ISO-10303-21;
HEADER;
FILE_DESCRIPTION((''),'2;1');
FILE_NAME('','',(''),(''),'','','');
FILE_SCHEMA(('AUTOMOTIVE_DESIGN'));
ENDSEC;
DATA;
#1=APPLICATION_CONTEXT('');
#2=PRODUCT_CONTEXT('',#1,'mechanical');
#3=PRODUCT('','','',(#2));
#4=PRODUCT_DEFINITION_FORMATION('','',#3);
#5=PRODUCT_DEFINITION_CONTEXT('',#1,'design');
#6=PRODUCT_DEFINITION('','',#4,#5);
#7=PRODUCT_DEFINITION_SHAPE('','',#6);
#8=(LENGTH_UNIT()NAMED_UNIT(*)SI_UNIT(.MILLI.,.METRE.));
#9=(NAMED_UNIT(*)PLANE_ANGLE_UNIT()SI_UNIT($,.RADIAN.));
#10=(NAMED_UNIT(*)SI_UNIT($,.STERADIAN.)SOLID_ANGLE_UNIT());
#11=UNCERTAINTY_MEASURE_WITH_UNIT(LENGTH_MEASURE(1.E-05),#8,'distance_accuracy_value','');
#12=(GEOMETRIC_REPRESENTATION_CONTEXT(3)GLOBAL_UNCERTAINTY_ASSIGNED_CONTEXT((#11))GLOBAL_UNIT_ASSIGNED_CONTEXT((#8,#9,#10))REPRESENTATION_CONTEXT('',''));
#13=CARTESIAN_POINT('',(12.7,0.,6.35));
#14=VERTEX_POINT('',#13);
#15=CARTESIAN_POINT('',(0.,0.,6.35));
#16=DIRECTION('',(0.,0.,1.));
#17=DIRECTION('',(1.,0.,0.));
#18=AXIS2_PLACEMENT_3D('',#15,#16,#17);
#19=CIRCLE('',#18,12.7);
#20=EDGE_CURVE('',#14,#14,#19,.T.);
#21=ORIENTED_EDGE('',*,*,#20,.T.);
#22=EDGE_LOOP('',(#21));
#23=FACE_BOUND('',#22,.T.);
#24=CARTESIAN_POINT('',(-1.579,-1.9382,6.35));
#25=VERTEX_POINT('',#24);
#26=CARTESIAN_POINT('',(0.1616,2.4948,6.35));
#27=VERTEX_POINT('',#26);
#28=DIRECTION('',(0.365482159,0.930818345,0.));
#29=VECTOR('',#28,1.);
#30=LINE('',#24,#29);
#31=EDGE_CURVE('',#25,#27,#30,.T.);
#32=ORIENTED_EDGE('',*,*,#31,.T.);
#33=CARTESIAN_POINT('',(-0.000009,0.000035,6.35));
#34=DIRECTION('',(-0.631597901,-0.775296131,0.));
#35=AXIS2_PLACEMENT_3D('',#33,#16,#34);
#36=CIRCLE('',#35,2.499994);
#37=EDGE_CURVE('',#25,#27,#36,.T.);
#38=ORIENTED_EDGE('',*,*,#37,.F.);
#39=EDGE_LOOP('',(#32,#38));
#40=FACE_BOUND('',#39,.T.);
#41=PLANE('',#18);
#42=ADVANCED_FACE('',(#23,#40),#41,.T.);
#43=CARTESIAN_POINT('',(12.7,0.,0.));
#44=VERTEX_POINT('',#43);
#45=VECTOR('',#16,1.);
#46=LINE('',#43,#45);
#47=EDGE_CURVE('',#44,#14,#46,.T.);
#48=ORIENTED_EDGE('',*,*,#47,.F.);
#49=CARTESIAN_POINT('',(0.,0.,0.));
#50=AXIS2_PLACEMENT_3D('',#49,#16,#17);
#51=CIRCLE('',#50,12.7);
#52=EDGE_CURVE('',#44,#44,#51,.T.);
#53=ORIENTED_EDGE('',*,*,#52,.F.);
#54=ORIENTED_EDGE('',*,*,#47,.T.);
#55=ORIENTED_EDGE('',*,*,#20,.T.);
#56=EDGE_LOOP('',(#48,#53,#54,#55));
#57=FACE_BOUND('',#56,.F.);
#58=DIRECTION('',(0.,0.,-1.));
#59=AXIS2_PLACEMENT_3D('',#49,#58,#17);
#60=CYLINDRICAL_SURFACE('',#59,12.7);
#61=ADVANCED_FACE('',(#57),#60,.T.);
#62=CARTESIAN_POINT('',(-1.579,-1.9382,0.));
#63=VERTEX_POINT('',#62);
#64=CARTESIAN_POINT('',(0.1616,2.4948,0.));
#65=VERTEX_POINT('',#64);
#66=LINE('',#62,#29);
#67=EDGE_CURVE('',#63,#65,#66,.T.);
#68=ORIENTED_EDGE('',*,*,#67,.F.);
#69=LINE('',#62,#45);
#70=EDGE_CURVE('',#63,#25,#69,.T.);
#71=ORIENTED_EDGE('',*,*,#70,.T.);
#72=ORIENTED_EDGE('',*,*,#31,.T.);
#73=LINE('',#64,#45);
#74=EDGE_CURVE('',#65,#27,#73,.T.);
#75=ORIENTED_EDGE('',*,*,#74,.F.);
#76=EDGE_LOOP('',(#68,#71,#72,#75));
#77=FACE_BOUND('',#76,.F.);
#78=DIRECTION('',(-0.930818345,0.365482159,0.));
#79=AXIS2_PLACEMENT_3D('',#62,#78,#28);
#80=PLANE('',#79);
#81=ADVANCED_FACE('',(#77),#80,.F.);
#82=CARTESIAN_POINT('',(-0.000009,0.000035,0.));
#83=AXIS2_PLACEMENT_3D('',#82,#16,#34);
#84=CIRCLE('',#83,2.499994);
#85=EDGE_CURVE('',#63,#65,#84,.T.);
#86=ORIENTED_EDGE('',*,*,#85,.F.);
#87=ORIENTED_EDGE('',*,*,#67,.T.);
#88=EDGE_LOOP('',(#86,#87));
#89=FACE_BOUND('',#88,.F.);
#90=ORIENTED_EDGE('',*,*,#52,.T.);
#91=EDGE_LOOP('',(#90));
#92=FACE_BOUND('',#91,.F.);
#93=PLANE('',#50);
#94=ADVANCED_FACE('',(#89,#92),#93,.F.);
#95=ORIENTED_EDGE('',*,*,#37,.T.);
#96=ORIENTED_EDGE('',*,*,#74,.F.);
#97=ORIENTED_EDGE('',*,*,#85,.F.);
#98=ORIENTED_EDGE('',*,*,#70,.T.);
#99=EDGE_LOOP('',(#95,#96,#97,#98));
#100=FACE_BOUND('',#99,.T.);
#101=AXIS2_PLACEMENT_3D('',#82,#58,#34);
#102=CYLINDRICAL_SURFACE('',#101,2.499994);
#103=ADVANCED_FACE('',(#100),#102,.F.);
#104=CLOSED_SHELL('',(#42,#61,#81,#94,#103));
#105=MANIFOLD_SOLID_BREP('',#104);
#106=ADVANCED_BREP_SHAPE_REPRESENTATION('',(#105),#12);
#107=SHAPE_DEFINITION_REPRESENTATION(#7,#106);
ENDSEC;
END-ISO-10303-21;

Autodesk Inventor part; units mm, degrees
ref_plane "YZ Plane" through (0, 0, 0) normal (1, 0, 0) x (0, 1, 0)
ref_plane "XZ Plane" through (0, 0, 0) normal (0, 1, 0) x (-1, 0, 0)
ref_plane "XY Plane" through (0, 0, 0) normal (0, 0, 1) x (1, 0, 0)
sketch "Sketch1" plane through (0, 0, 0) normal (0, 0, 1) x (1, 0, 0)
  line L0 (-1.579, -1.9382) -> (0.1616, 2.4948) projected
  arc A0 (-1.579, -1.9382) -> (0.1616, 2.4948) centre (0, 0) ccw projected
  arc A1 (8.0152, 21.2958) -> (7.9877, 26.3318) centre (-11.0232, 23.7099) ccw projected
  arc A2 (7.9877, 26.3318) -> (6.2484, 26.7978) centre (0, 0) ccw projected
  arc A3 (6.2484, 26.7978) -> (3.7066, 22.4502) centre (21.4014, 15.0218) ccw projected
  arc A4 (3.7066, 22.4502) -> (2.2303, 22.6446) centre (0, 0) ccw projected
  arc A5 (2.2303, 22.6446) -> (0.9003, 27.5019) centre (-16.7842, 20.049) ccw projected
  arc A6 (0.9003, 27.5019) -> (-0.9003, 27.5019) centre (0, 0) ccw projected
  arc A7 (-0.9003, 27.5019) -> (-2.2303, 22.6446) centre (16.7842, 20.049) ccw projected
  arc A8 (-2.2303, 22.6446) -> (-3.7066, 22.4502) centre (0, 0) ccw projected
  arc A9 (-3.7066, 22.4502) -> (-6.2484, 26.7978) centre (-21.4014, 15.0218) ccw projected
  arc A10 (-6.2484, 26.7978) -> (-7.9877, 26.3318) centre (0, 0) ccw projected
  arc A11 (-7.9877, 26.3318) -> (-8.0152, 21.2958) centre (11.0232, 23.7099) ccw projected
  arc A12 (-8.0152, 21.2958) -> (-9.3908, 20.7259) centre (0, 0) ccw projected
  arc A13 (-9.3908, 20.7259) -> (-12.9713, 24.2675) centre (-24.5601, 8.9709) ccw projected
  arc A14 (-12.9713, 24.2675) -> (-14.5307, 23.3672) centre (0, 0) ccw projected
  arc A15 (-14.5307, 23.3672) -> (-13.2538, 18.4956) centre (4.511, 25.7551) ccw projected
  arc A16 (-13.2538, 18.4956) -> (-14.4351, 17.5892) centre (0, 0) ccw projected
  arc A17 (-14.4351, 17.5892) -> (-18.8102, 20.0834) centre (-26.045, 2.3086) ccw projected
  arc A18 (-18.8102, 20.0834) -> (-20.0834, 18.8102) centre (0, 0) ccw projected
  arc A19 (-20.0834, 18.8102) -> (-17.5892, 14.4351) centre (-2.3086, 26.045) ccw projected
  arc A20 (-17.5892, 14.4351) -> (-18.4956, 13.2538) centre (0, 0) ccw projected
  arc A21 (-18.4956, 13.2538) -> (-23.3672, 14.5307) centre (-25.7551, -4.511) ccw projected
  arc A22 (-23.3672, 14.5307) -> (-24.2675, 12.9713) centre (0, 0) ccw projected
  arc A23 (-24.2675, 12.9713) -> (-20.7259, 9.3908) centre (-8.9709, 24.5601) ccw projected
  arc A24 (-20.7259, 9.3908) -> (-21.2958, 8.0152) centre (0, 0) ccw projected
  arc A25 (-21.2958, 8.0152) -> (-26.3318, 7.9877) centre (-23.7099, -11.0232) ccw projected
  arc A26 (-26.3318, 7.9877) -> (-26.7978, 6.2484) centre (0, 0) ccw projected
  arc A27 (-26.7978, 6.2484) -> (-22.4502, 3.7066) centre (-15.0218, 21.4014) ccw projected
  arc A28 (-22.4502, 3.7066) -> (-22.6446, 2.2303) centre (0, 0) ccw projected
  arc A29 (-22.6446, 2.2303) -> (-27.5019, 0.9003) centre (-20.049, -16.7842) ccw projected
  arc A30 (-27.5019, 0.9003) -> (-27.5019, -0.9003) centre (0, 0) ccw projected
  arc A31 (-27.5019, -0.9003) -> (-22.6446, -2.2303) centre (-20.049, 16.7842) ccw projected
  arc A32 (-22.6446, -2.2303) -> (-22.4502, -3.7066) centre (0, 0) ccw projected
  arc A33 (-22.4502, -3.7066) -> (-26.7978, -6.2484) centre (-15.0218, -21.4014) ccw projected
  arc A34 (-26.7978, -6.2484) -> (-26.3318, -7.9877) centre (0, 0) ccw projected
  arc A35 (-26.3318, -7.9877) -> (-21.2958, -8.0152) centre (-23.7099, 11.0232) ccw projected
  arc A36 (-21.2958, -8.0152) -> (-20.7259, -9.3908) centre (0, 0) ccw projected
  arc A37 (-20.7259, -9.3908) -> (-24.2675, -12.9713) centre (-8.9709, -24.5601) ccw projected
  arc A38 (-24.2675, -12.9713) -> (-23.3672, -14.5307) centre (0, 0) ccw projected
  arc A39 (-23.3672, -14.5307) -> (-18.4956, -13.2538) centre (-25.7551, 4.511) ccw projected
  arc A40 (-18.4956, -13.2538) -> (-17.5892, -14.4351) centre (0, 0) ccw projected
  arc A41 (-17.5892, -14.4351) -> (-20.0834, -18.8102) centre (-2.3086, -26.045) ccw projected
  arc A42 (-20.0834, -18.8102) -> (-18.8102, -20.0834) centre (0, 0) ccw projected
  arc A43 (-18.8102, -20.0834) -> (-14.4351, -17.5892) centre (-26.045, -2.3086) ccw projected
  arc A44 (-14.4351, -17.5892) -> (-13.2538, -18.4956) centre (0, 0) ccw projected
  arc A45 (-13.2538, -18.4956) -> (-14.5307, -23.3672) centre (4.511, -25.7551) ccw projected
  arc A46 (-14.5307, -23.3672) -> (-12.9713, -24.2675) centre (0, 0) ccw projected
  arc A47 (-12.9713, -24.2675) -> (-9.3908, -20.7259) centre (-24.5601, -8.9709) ccw projected
  arc A48 (-9.3908, -20.7259) -> (-8.0152, -21.2958) centre (0, 0) ccw projected
  arc A49 (-8.0152, -21.2958) -> (-7.9877, -26.3318) centre (11.0232, -23.7099) ccw projected
  arc A50 (-7.9877, -26.3318) -> (-6.2484, -26.7978) centre (0, 0) ccw projected
  arc A51 (-6.2484, -26.7978) -> (-3.7066, -22.4502) centre (-21.4014, -15.0218) ccw projected
  arc A52 (-3.7066, -22.4502) -> (-2.2303, -22.6446) centre (0, 0) ccw projected
  arc A53 (-2.2303, -22.6446) -> (-0.9003, -27.5019) centre (16.7842, -20.049) ccw projected
  arc A54 (-0.9003, -27.5019) -> (0.9003, -27.5019) centre (0, 0) ccw projected
  arc A55 (0.9003, -27.5019) -> (2.2303, -22.6446) centre (-16.7842, -20.049) ccw projected
  arc A56 (2.2303, -22.6446) -> (3.7066, -22.4502) centre (0, 0) ccw projected
  arc A57 (3.7066, -22.4502) -> (6.2484, -26.7978) centre (21.4014, -15.0218) ccw projected
  arc A58 (6.2484, -26.7978) -> (7.9877, -26.3318) centre (0, 0) ccw projected
  arc A59 (7.9877, -26.3318) -> (8.0152, -21.2958) centre (-11.0232, -23.7099) ccw projected
  arc A60 (8.0152, -21.2958) -> (9.3908, -20.7259) centre (0, 0) ccw projected
  arc A61 (9.3908, -20.7259) -> (12.9713, -24.2675) centre (24.5601, -8.9709) ccw projected
  arc A62 (12.9713, -24.2675) -> (14.5307, -23.3672) centre (0, 0) ccw projected
  arc A63 (14.5307, -23.3672) -> (13.2538, -18.4956) centre (-4.511, -25.7551) ccw projected
  arc A64 (13.2538, -18.4956) -> (14.4351, -17.5892) centre (0, 0) ccw projected
  arc A65 (14.4351, -17.5892) -> (18.8102, -20.0834) centre (26.045, -2.3086) ccw projected
  arc A66 (18.8102, -20.0834) -> (20.0834, -18.8102) centre (0, 0) ccw projected
  arc A67 (20.0834, -18.8102) -> (17.5892, -14.4351) centre (2.3086, -26.045) ccw projected
  arc A68 (17.5892, -14.4351) -> (18.4956, -13.2538) centre (0, 0) ccw projected
  arc A69 (18.4956, -13.2538) -> (23.3672, -14.5307) centre (25.7551, 4.511) ccw projected
  arc A70 (23.3672, -14.5307) -> (24.2675, -12.9713) centre (0, 0) ccw projected
  arc A71 (24.2675, -12.9713) -> (20.7259, -9.3908) centre (8.9709, -24.5601) ccw projected
  arc A72 (20.7259, -9.3908) -> (21.2958, -8.0152) centre (0, 0) ccw projected
  arc A73 (21.2958, -8.0152) -> (26.3318, -7.9877) centre (23.7099, 11.0232) ccw projected
  arc A74 (26.3318, -7.9877) -> (26.7978, -6.2484) centre (0, 0) ccw projected
  arc A75 (26.7978, -6.2484) -> (22.4502, -3.7066) centre (15.0218, -21.4014) ccw projected
  arc A76 (22.4502, -3.7066) -> (22.6446, -2.2303) centre (0, 0) ccw projected
  arc A77 (22.6446, -2.2303) -> (27.5019, -0.9003) centre (20.049, 16.7842) ccw projected
  arc A78 (27.5019, -0.9003) -> (27.5019, 0.9003) centre (0, 0) ccw projected
  arc A79 (27.5019, 0.9003) -> (22.6446, 2.2303) centre (20.049, -16.7842) ccw projected
  arc A80 (22.6446, 2.2303) -> (22.4502, 3.7066) centre (0, 0) ccw projected
  arc A81 (22.4502, 3.7066) -> (26.7978, 6.2484) centre (15.0218, 21.4014) ccw projected
  arc A82 (26.7978, 6.2484) -> (26.3318, 7.9877) centre (0, 0) ccw projected
  arc A83 (26.3318, 7.9877) -> (21.2958, 8.0152) centre (23.7099, -11.0232) ccw projected
  arc A84 (21.2958, 8.0152) -> (20.7259, 9.3908) centre (0, 0) ccw projected
  arc A85 (20.7259, 9.3908) -> (24.2675, 12.9713) centre (8.9709, 24.5601) ccw projected
  arc A86 (24.2675, 12.9713) -> (23.3672, 14.5307) centre (0, 0) ccw projected
  arc A87 (23.3672, 14.5307) -> (18.4956, 13.2538) centre (25.7551, -4.511) ccw projected
  arc A88 (18.4956, 13.2538) -> (17.5892, 14.4351) centre (0, 0) ccw projected
  arc A89 (17.5892, 14.4351) -> (20.0834, 18.8102) centre (2.3086, 26.045) ccw projected
  arc A90 (20.0834, 18.8102) -> (18.8102, 20.0834) centre (0, 0) ccw projected
  arc A91 (18.8102, 20.0834) -> (14.4351, 17.5892) centre (26.045, 2.3086) ccw projected
  arc A92 (14.4351, 17.5892) -> (13.2538, 18.4956) centre (0, 0) ccw projected
  arc A93 (13.2538, 18.4956) -> (14.5307, 23.3672) centre (-4.511, 25.7551) ccw projected
  arc A94 (14.5307, 23.3672) -> (12.9713, 24.2675) centre (0, 0) ccw projected
  arc A95 (12.9713, 24.2675) -> (9.3908, 20.7259) centre (24.5601, 8.9709) ccw projected
  arc A96 (9.3908, 20.7259) -> (8.0152, 21.2958) centre (0, 0) ccw projected
  circle A97 centre (0, 0) radius 12.7
  point P0 (0, 0)
  dimension "d0" = 25.4
extrude "Extrusion1" add sketch "Sketch1" along normal blind 6.35 contours A97
properties part number "smallGearBearingBlock"
